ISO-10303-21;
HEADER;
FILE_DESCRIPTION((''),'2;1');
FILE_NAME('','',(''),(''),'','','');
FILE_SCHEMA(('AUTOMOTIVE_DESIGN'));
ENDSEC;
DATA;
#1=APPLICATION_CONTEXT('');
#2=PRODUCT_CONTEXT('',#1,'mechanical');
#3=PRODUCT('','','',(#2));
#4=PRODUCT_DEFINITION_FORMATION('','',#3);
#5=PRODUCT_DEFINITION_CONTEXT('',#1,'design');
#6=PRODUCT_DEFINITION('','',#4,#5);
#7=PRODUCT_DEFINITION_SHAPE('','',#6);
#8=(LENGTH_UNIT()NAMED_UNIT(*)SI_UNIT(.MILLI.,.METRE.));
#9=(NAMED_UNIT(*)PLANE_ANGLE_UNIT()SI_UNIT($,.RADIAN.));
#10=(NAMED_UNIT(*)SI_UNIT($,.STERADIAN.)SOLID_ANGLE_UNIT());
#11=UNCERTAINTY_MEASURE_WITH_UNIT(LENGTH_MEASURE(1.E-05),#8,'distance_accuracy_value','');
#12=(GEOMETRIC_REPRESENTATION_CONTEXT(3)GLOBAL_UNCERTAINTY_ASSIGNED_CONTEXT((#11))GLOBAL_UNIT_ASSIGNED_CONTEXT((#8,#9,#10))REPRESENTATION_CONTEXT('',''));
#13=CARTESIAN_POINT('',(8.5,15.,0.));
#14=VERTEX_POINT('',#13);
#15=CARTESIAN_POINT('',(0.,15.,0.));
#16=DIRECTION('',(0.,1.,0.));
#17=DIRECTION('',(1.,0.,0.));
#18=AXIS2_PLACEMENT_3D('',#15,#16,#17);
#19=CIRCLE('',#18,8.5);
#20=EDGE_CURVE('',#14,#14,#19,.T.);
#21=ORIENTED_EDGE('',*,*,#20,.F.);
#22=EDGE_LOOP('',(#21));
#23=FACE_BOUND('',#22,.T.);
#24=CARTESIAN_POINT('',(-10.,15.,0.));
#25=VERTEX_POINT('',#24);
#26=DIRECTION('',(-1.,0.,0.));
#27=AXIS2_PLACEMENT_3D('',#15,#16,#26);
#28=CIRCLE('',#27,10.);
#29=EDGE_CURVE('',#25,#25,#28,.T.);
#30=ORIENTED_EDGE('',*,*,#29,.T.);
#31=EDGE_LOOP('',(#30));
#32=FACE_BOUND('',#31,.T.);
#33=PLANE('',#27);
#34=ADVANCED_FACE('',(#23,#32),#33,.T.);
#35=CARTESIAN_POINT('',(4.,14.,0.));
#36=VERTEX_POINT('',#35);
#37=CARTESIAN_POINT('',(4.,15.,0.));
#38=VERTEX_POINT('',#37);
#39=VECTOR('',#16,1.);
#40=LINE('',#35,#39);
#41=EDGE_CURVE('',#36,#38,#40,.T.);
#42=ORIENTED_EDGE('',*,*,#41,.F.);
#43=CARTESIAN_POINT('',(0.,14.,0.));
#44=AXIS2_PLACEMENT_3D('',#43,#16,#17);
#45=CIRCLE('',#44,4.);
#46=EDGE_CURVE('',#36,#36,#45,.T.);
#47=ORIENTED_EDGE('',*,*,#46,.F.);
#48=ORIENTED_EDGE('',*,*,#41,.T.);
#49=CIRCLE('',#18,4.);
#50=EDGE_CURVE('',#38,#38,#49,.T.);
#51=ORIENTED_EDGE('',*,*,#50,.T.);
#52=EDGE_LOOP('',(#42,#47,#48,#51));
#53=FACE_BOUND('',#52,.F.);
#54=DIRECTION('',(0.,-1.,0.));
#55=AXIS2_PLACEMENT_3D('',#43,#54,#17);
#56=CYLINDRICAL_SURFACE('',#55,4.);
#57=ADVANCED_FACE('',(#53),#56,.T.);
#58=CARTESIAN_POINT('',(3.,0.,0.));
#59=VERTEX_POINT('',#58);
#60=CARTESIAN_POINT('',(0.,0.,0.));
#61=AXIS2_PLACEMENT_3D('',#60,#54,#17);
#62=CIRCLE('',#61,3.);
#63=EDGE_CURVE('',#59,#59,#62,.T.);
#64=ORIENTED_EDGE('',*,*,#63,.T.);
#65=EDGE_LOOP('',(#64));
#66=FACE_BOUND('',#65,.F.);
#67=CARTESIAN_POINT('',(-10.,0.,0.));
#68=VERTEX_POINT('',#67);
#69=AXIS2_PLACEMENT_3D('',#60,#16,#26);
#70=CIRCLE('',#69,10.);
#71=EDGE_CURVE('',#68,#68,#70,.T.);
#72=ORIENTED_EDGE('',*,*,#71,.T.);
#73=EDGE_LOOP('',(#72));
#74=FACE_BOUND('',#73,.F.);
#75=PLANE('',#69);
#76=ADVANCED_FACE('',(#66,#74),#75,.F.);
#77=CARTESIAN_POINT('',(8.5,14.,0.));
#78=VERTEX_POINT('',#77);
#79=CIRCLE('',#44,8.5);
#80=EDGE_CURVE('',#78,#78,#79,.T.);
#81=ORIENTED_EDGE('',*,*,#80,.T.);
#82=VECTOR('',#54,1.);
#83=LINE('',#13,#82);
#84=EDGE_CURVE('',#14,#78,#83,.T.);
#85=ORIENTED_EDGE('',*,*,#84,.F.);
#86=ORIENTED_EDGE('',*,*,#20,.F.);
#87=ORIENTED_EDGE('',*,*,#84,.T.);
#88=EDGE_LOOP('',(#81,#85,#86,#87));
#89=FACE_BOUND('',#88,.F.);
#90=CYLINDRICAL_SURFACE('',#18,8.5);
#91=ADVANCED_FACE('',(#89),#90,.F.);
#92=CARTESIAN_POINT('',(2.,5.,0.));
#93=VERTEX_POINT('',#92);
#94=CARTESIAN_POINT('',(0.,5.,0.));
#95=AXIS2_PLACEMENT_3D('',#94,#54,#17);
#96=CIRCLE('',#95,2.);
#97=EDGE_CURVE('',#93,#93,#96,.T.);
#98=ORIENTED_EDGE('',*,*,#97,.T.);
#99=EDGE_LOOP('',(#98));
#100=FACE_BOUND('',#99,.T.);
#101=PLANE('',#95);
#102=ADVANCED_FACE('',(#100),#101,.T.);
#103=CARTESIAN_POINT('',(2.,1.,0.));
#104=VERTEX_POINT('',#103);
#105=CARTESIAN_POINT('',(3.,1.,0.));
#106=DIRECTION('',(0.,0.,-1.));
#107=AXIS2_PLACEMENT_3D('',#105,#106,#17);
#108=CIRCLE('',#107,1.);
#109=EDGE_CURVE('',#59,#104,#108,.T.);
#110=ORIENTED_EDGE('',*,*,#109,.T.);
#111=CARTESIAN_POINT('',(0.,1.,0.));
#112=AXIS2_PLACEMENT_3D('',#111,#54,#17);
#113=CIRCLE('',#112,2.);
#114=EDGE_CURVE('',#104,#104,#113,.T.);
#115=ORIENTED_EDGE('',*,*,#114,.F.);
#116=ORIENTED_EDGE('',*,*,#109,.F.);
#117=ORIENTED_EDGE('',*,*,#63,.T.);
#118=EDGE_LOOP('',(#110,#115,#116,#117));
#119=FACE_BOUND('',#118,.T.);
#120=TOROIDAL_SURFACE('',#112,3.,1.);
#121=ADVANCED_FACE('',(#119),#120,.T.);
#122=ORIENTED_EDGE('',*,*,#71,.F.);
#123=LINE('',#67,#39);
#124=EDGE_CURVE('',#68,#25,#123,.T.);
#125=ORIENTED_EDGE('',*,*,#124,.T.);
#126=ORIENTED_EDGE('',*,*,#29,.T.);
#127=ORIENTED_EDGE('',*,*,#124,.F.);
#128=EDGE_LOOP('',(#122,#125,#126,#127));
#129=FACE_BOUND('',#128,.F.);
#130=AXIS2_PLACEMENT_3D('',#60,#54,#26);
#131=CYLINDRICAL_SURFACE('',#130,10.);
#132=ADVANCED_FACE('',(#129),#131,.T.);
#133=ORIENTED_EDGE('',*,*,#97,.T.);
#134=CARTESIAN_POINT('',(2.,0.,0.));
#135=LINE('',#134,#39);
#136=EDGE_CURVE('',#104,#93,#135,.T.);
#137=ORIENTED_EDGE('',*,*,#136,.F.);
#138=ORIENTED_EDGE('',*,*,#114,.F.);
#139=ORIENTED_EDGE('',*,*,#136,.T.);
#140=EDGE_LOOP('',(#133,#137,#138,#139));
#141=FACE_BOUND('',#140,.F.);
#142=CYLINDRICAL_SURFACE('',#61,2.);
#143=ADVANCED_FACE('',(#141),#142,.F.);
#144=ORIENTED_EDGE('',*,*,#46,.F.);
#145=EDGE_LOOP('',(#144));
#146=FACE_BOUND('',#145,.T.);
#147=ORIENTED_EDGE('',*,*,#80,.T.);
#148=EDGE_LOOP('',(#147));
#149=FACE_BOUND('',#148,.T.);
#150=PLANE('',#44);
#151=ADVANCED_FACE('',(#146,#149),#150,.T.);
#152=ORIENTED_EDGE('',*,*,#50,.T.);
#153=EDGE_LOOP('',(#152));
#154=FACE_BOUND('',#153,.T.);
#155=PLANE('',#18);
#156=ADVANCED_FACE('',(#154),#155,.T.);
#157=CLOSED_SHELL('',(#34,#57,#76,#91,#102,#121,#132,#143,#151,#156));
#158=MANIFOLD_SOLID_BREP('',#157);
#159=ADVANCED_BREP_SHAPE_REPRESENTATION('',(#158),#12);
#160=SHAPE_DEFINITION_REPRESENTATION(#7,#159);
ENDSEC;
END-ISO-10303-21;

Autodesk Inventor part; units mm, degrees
ref_plane "YZ Plane" through (0, 0, 0) normal (1, 0, 0) x (0, 1, 0)
ref_plane "XZ Plane" through (0, 0, 0) normal (0, 1, 0) x (-1, 0, 0)
ref_plane "XY Plane" through (0, 0, 0) normal (0, 0, 1) x (1, 0, 0)
sketch "Sketch1" plane through (0, 0, 0) normal (0, 1, 0) x (-1, 0, 0)
  circle A0 centre (0, 0) radius 10
  dimension "d0" = 20
extrude "Extrusion1" add sketch "Sketch1" along normal blind 15
sketch "Sketch2" plane through (0, 15, 0) normal (0, 1, 0) x (1, 0, 0)
  circle A0 centre (0, 0) radius 8.5
  dimension "d5" = 17
extrude "Extrusion2" cut sketch "Sketch2" against normal blind 1
sketch "Sketch3" plane through (0, 14, 0) normal (0, 1, 0) x (1, 0, 0)
  circle A0 centre (0, 0) radius 4
  dimension "d8" = 8
extrude "Extrusion3" add sketch "Sketch3" along normal blind 1
sketch "Sketch4" plane through (0, 0, 0) normal (0, -1, 0) x (1, 0, 0)
  circle A0 centre (0, 0) radius 2
  dimension "d11" = 4
extrude "Extrusion4" cut sketch "Sketch4" against normal blind 5
sketch "Sketch5" plane through (0, 0, 0) normal (0, -1, 0) x (1, 0, 0)
  point P0 (0, 0)
fillet "Fillet1" radius 1 1 edges at (-2, 0, 0)
thread "Thread1" size "M4x0.7" class "6H" standard "ANSI Metric M Profile" full length
properties part number "Eletroima" material "Iron, Cast"
